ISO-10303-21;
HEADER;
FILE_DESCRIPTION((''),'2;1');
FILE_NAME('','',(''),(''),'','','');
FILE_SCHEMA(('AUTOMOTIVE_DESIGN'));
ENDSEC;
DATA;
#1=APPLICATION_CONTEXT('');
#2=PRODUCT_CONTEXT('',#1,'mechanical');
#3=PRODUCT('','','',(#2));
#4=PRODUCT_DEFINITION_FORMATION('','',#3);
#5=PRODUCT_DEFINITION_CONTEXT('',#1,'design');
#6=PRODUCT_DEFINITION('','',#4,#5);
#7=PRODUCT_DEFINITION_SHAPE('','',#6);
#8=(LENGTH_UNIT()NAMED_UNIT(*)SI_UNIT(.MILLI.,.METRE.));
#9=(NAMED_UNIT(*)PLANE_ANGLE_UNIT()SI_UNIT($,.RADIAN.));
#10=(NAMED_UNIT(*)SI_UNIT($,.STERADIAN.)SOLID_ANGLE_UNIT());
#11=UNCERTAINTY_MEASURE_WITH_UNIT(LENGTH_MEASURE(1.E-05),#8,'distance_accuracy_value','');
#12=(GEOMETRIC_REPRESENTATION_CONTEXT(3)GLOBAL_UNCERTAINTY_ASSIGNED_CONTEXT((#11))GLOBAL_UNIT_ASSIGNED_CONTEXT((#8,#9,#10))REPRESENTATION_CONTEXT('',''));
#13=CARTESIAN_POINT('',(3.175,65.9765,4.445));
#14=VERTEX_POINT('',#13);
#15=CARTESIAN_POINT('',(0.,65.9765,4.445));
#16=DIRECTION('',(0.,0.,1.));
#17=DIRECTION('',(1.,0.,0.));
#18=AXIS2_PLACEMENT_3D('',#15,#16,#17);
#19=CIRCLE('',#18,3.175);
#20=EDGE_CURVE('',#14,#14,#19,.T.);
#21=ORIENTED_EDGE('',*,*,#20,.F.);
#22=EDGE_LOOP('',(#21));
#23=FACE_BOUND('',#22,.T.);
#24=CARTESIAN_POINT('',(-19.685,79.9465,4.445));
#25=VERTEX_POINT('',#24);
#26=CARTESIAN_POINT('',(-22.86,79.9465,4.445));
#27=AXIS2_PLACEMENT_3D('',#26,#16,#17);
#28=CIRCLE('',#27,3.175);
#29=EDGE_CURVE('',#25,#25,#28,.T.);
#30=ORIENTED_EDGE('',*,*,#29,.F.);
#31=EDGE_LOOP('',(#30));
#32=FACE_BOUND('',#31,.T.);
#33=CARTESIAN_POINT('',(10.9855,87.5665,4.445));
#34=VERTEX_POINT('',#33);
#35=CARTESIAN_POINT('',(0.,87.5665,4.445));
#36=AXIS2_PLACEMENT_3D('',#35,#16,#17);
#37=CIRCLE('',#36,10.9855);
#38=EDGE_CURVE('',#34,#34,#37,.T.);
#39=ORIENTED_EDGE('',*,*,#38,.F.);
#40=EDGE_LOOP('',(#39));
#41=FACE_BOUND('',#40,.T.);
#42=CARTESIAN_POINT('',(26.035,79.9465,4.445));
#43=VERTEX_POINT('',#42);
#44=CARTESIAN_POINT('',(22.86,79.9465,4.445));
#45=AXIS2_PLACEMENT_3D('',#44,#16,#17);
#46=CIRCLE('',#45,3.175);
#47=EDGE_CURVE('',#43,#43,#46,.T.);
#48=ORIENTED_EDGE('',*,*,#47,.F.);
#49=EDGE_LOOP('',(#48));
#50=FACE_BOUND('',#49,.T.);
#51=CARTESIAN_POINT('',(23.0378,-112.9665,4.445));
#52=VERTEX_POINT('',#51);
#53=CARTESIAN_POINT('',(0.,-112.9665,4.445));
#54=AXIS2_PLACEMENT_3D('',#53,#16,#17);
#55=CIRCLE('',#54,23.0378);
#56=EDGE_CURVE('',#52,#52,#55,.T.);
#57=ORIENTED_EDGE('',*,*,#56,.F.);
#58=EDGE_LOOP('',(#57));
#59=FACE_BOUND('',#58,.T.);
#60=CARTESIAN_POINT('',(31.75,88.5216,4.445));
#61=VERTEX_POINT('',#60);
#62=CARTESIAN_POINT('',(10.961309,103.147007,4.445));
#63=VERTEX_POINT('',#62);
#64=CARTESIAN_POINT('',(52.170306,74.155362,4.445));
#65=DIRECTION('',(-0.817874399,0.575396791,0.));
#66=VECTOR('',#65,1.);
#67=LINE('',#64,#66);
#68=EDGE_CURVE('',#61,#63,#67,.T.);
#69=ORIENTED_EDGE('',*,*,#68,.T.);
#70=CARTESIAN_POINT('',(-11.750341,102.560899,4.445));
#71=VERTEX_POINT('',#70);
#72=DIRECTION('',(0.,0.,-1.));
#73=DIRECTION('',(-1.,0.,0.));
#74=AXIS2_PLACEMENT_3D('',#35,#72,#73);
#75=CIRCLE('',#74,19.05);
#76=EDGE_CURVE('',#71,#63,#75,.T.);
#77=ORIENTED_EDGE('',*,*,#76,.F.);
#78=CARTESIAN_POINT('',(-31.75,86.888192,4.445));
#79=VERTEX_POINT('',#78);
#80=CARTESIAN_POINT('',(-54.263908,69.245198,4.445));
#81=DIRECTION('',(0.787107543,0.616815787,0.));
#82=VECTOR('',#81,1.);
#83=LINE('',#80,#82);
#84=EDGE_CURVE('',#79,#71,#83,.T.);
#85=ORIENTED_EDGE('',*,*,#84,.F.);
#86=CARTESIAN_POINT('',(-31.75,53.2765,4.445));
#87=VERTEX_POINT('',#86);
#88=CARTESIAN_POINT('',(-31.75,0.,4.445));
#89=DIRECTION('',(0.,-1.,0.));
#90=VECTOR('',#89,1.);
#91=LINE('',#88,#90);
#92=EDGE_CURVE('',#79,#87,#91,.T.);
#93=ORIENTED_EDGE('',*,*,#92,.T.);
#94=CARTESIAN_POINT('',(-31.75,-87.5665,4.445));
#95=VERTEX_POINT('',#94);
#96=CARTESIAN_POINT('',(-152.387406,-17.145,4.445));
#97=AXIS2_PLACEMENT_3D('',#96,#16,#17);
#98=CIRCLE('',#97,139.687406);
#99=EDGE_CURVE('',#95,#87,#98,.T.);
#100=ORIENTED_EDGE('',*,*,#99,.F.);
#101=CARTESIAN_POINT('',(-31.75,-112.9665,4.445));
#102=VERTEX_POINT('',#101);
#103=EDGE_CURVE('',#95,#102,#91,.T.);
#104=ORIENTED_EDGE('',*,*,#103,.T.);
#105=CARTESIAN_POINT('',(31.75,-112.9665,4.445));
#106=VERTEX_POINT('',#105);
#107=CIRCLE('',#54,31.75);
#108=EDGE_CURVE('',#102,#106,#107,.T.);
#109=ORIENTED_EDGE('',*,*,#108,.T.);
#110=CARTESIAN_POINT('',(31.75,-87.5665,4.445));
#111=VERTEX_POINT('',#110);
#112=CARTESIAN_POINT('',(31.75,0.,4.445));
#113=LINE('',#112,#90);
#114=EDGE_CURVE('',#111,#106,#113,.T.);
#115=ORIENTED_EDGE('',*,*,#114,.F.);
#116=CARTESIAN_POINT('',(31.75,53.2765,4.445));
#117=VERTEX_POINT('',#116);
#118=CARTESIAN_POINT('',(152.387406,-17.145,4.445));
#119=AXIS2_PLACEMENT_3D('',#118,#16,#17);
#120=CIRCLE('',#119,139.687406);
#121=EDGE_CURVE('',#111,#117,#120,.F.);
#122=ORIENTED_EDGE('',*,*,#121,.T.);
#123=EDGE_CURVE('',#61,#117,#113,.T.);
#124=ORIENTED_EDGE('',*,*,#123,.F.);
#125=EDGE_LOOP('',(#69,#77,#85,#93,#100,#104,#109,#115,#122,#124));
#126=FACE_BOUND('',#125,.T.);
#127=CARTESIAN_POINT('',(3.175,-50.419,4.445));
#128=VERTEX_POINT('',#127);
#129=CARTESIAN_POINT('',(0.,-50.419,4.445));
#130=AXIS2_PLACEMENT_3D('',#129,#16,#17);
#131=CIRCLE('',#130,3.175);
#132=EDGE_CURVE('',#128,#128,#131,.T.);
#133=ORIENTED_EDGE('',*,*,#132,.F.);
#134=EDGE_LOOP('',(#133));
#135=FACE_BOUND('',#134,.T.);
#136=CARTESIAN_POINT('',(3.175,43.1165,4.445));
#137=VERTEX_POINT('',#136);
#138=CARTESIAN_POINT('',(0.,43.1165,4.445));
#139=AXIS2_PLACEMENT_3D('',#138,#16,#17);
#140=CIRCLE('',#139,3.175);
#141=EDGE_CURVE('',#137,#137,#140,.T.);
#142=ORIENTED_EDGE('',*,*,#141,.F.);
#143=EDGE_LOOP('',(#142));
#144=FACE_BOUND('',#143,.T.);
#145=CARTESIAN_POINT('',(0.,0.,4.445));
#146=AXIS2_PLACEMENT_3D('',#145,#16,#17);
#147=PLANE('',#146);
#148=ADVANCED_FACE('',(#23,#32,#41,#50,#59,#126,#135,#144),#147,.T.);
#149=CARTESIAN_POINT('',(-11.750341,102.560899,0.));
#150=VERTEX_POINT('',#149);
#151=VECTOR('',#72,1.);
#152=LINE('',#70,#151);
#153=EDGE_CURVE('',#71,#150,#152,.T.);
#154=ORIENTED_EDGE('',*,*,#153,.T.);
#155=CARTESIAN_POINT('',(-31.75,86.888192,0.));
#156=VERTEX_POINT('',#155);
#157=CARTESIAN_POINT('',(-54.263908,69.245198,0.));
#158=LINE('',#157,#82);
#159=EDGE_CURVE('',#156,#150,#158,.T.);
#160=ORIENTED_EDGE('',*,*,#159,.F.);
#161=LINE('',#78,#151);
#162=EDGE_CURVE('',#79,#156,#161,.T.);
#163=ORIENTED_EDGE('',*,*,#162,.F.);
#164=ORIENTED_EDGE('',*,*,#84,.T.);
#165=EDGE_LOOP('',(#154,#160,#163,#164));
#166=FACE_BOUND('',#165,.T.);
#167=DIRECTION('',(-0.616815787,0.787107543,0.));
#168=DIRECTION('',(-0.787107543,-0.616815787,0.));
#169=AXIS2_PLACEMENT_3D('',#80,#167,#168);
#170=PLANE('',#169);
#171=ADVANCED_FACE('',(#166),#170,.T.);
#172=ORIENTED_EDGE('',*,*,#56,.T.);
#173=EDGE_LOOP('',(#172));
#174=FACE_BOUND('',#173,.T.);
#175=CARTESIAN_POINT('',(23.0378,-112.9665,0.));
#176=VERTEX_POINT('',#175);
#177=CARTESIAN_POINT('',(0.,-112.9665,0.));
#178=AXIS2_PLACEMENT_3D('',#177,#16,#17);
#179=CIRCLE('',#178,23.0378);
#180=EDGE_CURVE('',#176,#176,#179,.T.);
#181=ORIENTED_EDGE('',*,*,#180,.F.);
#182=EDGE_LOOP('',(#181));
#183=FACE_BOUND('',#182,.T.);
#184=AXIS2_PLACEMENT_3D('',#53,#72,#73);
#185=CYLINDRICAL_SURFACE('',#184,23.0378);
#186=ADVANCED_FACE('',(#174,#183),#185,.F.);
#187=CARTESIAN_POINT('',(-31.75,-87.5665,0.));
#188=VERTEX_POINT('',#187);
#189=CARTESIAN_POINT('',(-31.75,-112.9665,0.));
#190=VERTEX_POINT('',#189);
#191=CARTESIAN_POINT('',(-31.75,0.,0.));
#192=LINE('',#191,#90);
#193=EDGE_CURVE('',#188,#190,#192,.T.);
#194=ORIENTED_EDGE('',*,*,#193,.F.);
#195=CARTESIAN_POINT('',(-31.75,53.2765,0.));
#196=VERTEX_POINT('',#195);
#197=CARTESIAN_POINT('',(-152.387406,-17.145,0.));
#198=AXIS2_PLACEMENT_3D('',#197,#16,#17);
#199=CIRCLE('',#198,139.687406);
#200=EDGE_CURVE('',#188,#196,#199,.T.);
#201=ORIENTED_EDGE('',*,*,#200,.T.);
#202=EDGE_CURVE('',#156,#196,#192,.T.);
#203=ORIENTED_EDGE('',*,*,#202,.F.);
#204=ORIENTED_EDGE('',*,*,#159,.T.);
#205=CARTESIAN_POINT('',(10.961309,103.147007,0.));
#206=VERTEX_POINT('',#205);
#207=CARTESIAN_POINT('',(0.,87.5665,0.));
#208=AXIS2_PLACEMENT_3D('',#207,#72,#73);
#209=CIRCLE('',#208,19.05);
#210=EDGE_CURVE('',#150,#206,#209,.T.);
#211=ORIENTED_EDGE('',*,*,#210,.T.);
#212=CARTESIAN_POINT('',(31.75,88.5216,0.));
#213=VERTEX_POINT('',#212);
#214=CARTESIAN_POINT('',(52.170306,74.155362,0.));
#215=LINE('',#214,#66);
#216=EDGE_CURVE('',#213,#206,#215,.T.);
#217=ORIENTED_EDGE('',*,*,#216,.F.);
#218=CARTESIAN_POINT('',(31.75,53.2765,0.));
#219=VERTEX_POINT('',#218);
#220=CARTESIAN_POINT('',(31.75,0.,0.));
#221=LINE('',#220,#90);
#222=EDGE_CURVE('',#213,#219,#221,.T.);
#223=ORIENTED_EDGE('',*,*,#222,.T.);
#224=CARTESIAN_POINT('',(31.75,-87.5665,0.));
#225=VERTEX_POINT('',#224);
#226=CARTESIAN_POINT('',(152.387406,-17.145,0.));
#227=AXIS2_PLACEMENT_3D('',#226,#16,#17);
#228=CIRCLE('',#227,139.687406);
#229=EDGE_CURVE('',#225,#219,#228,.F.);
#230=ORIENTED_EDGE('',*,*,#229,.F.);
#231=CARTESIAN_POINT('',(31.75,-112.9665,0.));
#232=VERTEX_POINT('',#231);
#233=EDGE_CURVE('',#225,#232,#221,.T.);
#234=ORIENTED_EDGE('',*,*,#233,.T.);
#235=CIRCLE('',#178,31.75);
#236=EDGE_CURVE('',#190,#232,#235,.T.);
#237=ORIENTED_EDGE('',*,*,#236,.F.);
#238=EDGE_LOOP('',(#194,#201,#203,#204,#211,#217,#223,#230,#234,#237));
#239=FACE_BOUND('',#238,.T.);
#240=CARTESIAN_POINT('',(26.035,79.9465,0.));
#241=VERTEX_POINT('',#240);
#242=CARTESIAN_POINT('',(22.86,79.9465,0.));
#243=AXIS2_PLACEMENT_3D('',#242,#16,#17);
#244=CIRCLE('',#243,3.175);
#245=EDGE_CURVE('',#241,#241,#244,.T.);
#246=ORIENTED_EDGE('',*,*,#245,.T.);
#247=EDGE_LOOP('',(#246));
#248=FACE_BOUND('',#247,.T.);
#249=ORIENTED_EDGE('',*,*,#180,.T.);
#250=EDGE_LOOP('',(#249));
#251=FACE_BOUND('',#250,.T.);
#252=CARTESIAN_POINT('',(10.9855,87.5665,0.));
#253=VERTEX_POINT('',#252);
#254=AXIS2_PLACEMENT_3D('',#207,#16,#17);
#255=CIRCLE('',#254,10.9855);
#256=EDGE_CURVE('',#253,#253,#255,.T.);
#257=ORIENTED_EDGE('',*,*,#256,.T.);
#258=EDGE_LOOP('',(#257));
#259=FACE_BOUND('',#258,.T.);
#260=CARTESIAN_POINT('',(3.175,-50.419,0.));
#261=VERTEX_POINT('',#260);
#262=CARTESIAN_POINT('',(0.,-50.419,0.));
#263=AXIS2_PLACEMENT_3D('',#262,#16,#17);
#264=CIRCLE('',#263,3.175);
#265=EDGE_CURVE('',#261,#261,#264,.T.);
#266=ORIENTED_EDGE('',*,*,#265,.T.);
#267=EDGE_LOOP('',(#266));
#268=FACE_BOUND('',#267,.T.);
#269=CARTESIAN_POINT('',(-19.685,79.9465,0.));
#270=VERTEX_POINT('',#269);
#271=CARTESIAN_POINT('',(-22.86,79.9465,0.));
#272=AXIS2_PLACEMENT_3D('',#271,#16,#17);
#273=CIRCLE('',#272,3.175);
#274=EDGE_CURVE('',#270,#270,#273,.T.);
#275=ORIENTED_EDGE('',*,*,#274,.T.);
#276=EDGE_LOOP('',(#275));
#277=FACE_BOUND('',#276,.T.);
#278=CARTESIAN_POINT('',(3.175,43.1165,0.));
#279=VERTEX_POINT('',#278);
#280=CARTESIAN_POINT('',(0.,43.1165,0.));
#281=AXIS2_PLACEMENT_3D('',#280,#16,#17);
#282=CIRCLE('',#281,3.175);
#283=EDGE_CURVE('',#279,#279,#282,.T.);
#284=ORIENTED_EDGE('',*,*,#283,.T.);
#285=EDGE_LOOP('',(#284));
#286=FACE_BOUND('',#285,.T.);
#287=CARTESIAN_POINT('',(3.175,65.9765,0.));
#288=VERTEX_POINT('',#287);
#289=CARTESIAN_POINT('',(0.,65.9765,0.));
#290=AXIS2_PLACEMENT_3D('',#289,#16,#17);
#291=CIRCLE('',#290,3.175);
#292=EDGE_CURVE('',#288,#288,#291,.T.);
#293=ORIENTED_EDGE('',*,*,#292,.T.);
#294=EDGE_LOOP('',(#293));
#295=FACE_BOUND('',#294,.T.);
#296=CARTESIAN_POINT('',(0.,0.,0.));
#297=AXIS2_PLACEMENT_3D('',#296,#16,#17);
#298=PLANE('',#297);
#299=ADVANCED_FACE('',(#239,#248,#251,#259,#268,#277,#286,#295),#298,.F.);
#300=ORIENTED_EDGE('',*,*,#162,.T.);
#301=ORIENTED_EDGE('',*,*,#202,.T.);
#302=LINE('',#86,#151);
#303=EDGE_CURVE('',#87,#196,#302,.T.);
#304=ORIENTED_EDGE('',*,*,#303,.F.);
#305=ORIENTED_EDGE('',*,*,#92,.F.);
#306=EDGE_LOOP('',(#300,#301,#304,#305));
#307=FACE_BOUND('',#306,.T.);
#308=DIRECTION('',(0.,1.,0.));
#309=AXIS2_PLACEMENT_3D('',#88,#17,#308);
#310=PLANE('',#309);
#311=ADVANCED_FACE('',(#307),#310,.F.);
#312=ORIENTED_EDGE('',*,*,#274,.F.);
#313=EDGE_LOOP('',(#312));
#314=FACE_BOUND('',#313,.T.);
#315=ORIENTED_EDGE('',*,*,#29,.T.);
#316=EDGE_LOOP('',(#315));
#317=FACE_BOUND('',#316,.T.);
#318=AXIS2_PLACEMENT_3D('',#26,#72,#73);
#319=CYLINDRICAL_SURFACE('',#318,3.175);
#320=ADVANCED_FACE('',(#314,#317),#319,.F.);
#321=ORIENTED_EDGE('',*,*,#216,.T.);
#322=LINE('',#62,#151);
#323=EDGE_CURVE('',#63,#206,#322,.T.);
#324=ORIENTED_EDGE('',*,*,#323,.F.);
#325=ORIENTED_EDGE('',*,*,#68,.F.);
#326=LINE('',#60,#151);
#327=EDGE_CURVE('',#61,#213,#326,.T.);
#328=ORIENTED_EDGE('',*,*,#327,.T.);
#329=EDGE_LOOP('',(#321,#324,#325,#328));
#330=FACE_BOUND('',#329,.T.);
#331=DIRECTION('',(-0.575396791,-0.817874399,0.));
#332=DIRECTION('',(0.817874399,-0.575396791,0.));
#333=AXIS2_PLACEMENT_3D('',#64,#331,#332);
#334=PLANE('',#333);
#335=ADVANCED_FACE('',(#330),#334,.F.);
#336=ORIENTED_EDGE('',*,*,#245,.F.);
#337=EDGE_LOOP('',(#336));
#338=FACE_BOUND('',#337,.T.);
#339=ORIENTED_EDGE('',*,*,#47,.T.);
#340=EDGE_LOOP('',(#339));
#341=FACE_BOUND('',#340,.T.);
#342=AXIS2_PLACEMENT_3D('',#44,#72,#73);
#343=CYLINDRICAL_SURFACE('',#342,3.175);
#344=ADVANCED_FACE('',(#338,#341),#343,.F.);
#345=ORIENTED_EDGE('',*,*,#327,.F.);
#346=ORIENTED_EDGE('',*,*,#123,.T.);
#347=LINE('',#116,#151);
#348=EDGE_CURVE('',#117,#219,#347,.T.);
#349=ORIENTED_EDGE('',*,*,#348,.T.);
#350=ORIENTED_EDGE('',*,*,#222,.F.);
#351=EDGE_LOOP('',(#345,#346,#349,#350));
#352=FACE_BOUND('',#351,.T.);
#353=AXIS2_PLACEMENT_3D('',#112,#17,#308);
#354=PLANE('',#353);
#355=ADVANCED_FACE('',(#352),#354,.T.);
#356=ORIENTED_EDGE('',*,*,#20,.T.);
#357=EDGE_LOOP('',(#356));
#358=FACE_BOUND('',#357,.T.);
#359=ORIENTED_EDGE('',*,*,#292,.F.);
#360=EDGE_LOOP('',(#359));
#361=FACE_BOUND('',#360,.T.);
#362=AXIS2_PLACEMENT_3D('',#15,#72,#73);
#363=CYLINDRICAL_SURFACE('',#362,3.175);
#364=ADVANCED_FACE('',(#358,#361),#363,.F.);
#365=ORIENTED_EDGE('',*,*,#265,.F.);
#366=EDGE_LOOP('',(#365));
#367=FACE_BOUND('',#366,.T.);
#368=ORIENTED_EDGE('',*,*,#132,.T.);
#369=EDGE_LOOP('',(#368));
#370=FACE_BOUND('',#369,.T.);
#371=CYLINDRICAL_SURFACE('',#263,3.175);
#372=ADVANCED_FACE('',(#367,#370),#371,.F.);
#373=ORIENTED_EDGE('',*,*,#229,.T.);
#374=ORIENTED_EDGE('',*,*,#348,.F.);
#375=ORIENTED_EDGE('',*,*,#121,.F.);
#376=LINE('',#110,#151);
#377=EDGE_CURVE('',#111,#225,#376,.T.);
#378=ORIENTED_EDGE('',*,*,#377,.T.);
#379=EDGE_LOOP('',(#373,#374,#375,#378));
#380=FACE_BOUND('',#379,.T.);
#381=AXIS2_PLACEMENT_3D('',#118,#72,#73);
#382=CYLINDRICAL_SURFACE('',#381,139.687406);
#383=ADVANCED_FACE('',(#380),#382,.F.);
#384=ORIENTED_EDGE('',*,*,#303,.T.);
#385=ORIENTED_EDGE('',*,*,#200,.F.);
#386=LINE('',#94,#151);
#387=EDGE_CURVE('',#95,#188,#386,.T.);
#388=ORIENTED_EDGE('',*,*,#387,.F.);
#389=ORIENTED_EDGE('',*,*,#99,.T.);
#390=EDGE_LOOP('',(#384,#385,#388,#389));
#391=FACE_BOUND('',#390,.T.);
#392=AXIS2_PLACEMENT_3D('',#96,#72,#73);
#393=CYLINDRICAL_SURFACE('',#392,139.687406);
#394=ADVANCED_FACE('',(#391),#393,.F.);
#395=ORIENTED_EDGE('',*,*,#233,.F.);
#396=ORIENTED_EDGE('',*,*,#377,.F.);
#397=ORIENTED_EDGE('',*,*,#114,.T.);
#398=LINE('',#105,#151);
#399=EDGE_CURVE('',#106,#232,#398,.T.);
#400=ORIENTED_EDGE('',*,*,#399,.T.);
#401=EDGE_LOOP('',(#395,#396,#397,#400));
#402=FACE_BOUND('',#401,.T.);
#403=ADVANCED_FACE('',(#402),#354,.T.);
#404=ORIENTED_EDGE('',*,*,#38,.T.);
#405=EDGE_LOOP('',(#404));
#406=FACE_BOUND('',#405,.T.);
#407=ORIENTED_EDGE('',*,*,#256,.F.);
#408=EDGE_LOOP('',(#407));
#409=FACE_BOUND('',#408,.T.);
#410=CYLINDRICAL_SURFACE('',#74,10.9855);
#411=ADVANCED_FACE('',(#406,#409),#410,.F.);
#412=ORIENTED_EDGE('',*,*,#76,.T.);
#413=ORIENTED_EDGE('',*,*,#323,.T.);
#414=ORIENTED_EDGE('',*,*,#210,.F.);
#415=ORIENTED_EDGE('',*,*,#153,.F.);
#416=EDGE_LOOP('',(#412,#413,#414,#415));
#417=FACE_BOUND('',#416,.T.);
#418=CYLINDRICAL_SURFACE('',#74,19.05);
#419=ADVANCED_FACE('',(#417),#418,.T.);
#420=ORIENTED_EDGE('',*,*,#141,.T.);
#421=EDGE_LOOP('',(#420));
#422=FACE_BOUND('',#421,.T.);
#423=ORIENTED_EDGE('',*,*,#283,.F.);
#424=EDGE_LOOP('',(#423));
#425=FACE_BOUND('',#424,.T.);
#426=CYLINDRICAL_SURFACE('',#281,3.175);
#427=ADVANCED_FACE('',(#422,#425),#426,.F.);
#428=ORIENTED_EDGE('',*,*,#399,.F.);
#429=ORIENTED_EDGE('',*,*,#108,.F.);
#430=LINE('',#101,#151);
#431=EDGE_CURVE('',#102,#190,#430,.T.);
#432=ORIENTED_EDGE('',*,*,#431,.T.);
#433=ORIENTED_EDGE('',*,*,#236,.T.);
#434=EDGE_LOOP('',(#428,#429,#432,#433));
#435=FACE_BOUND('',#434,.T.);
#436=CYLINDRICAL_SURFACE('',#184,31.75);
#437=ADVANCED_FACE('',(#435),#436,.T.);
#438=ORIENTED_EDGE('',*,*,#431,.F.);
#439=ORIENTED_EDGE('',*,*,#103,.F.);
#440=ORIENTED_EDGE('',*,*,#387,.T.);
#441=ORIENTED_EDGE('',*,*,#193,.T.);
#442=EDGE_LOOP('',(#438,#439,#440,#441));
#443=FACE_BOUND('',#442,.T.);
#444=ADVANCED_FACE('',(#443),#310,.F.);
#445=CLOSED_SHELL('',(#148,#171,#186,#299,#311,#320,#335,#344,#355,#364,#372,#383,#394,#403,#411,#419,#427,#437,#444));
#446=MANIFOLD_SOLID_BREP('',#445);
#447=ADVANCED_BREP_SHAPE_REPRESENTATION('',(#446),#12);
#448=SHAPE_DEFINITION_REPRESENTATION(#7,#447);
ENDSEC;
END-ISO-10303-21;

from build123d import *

# Parameters (mm, degrees)
SKETCH2_R           = 23.0378
SKETCH2_R_2         = 3.175
SKETCH2_R_3         = 10.9855
BOSS_EXTRUDE1_DEPTH = 4.445
SKETCH4_R           = 3.175
CUT_EXTRUDE2_DEPTH  = 149.225118982
CUT_EXTRUDE3_DEPTH  = 149.225118982


with BuildPart() as part:
    # Sketch2 → Boss-Extrude1 (new body)
    with BuildSketch(Plane.XY):
        with BuildLine():
            Line((31.75, 112.9665), (-31.75, 112.9665))
            Line((-31.75, 112.9665), (-31.75, 53.2765))
            ThreePointArc((-31.75, 53.2765), (-12.7, -17.145), (-31.75, -87.5665))
            Line((-31.75, -87.5665), (-31.75, -112.9665))
            ThreePointArc((-31.75, -112.9665), (0, -144.7165), (31.75, -112.9665))
            Line((31.75, -112.9665), (31.75, -87.5665))
            ThreePointArc((31.75, -87.5665), (12.7, -17.145), (31.75, 53.2765))
            Line((31.75, 53.2765), (31.75, 112.9665))
        make_face()
        with Locations((0, -112.9665)):
            Circle(SKETCH2_R, mode=Mode.SUBTRACT)
        with Locations((-22.86, 79.9465)):
            Circle(SKETCH2_R_2, mode=Mode.SUBTRACT)
        with Locations((0, 65.9765)):
            Circle(SKETCH2_R_2, mode=Mode.SUBTRACT)
        with Locations((0, 87.5665)):
            Circle(SKETCH2_R_3, mode=Mode.SUBTRACT)
        with Locations((22.86, 79.9465)):
            Circle(SKETCH2_R_2, mode=Mode.SUBTRACT)
    extrude(amount=BOSS_EXTRUDE1_DEPTH)

    # Sketch4 → Cut-Extrude2 (cut, through all)
    with BuildSketch(Plane.XY.offset(4.445)):
        with Locations((0, 43.1165)):
            Circle(SKETCH4_R)
        with Locations((0, -50.419)):
            Circle(SKETCH4_R)
    extrude(amount=-CUT_EXTRUDE2_DEPTH, mode=Mode.SUBTRACT)

    # Sketch6 → Cut-Extrude3 (cut, through all)
    with BuildSketch(Plane(origin=(0, 0, 0), x_dir=(-1, 0, 0), z_dir=(0, 0, -1))):
        with BuildLine():
            Line((-31.75, 112.9665), (-31.75, 88.521600063))
            Line((-31.75, 88.521600063), (-10.961308866, 103.147007307))
            ThreePointArc((-10.961308866, 103.147007307), (0.491450562, 106.610159741), (11.750340751, 102.560898695))
            Line((11.750340751, 102.560898695), (31.75, 86.888192115))
            Line((31.75, 86.888192115), (31.75, 112.9665))
            Line((31.75, 112.9665), (-31.75, 112.9665))
        make_face()
    extrude(amount=-CUT_EXTRUDE3_DEPTH, mode=Mode.SUBTRACT)


solid = part.part
